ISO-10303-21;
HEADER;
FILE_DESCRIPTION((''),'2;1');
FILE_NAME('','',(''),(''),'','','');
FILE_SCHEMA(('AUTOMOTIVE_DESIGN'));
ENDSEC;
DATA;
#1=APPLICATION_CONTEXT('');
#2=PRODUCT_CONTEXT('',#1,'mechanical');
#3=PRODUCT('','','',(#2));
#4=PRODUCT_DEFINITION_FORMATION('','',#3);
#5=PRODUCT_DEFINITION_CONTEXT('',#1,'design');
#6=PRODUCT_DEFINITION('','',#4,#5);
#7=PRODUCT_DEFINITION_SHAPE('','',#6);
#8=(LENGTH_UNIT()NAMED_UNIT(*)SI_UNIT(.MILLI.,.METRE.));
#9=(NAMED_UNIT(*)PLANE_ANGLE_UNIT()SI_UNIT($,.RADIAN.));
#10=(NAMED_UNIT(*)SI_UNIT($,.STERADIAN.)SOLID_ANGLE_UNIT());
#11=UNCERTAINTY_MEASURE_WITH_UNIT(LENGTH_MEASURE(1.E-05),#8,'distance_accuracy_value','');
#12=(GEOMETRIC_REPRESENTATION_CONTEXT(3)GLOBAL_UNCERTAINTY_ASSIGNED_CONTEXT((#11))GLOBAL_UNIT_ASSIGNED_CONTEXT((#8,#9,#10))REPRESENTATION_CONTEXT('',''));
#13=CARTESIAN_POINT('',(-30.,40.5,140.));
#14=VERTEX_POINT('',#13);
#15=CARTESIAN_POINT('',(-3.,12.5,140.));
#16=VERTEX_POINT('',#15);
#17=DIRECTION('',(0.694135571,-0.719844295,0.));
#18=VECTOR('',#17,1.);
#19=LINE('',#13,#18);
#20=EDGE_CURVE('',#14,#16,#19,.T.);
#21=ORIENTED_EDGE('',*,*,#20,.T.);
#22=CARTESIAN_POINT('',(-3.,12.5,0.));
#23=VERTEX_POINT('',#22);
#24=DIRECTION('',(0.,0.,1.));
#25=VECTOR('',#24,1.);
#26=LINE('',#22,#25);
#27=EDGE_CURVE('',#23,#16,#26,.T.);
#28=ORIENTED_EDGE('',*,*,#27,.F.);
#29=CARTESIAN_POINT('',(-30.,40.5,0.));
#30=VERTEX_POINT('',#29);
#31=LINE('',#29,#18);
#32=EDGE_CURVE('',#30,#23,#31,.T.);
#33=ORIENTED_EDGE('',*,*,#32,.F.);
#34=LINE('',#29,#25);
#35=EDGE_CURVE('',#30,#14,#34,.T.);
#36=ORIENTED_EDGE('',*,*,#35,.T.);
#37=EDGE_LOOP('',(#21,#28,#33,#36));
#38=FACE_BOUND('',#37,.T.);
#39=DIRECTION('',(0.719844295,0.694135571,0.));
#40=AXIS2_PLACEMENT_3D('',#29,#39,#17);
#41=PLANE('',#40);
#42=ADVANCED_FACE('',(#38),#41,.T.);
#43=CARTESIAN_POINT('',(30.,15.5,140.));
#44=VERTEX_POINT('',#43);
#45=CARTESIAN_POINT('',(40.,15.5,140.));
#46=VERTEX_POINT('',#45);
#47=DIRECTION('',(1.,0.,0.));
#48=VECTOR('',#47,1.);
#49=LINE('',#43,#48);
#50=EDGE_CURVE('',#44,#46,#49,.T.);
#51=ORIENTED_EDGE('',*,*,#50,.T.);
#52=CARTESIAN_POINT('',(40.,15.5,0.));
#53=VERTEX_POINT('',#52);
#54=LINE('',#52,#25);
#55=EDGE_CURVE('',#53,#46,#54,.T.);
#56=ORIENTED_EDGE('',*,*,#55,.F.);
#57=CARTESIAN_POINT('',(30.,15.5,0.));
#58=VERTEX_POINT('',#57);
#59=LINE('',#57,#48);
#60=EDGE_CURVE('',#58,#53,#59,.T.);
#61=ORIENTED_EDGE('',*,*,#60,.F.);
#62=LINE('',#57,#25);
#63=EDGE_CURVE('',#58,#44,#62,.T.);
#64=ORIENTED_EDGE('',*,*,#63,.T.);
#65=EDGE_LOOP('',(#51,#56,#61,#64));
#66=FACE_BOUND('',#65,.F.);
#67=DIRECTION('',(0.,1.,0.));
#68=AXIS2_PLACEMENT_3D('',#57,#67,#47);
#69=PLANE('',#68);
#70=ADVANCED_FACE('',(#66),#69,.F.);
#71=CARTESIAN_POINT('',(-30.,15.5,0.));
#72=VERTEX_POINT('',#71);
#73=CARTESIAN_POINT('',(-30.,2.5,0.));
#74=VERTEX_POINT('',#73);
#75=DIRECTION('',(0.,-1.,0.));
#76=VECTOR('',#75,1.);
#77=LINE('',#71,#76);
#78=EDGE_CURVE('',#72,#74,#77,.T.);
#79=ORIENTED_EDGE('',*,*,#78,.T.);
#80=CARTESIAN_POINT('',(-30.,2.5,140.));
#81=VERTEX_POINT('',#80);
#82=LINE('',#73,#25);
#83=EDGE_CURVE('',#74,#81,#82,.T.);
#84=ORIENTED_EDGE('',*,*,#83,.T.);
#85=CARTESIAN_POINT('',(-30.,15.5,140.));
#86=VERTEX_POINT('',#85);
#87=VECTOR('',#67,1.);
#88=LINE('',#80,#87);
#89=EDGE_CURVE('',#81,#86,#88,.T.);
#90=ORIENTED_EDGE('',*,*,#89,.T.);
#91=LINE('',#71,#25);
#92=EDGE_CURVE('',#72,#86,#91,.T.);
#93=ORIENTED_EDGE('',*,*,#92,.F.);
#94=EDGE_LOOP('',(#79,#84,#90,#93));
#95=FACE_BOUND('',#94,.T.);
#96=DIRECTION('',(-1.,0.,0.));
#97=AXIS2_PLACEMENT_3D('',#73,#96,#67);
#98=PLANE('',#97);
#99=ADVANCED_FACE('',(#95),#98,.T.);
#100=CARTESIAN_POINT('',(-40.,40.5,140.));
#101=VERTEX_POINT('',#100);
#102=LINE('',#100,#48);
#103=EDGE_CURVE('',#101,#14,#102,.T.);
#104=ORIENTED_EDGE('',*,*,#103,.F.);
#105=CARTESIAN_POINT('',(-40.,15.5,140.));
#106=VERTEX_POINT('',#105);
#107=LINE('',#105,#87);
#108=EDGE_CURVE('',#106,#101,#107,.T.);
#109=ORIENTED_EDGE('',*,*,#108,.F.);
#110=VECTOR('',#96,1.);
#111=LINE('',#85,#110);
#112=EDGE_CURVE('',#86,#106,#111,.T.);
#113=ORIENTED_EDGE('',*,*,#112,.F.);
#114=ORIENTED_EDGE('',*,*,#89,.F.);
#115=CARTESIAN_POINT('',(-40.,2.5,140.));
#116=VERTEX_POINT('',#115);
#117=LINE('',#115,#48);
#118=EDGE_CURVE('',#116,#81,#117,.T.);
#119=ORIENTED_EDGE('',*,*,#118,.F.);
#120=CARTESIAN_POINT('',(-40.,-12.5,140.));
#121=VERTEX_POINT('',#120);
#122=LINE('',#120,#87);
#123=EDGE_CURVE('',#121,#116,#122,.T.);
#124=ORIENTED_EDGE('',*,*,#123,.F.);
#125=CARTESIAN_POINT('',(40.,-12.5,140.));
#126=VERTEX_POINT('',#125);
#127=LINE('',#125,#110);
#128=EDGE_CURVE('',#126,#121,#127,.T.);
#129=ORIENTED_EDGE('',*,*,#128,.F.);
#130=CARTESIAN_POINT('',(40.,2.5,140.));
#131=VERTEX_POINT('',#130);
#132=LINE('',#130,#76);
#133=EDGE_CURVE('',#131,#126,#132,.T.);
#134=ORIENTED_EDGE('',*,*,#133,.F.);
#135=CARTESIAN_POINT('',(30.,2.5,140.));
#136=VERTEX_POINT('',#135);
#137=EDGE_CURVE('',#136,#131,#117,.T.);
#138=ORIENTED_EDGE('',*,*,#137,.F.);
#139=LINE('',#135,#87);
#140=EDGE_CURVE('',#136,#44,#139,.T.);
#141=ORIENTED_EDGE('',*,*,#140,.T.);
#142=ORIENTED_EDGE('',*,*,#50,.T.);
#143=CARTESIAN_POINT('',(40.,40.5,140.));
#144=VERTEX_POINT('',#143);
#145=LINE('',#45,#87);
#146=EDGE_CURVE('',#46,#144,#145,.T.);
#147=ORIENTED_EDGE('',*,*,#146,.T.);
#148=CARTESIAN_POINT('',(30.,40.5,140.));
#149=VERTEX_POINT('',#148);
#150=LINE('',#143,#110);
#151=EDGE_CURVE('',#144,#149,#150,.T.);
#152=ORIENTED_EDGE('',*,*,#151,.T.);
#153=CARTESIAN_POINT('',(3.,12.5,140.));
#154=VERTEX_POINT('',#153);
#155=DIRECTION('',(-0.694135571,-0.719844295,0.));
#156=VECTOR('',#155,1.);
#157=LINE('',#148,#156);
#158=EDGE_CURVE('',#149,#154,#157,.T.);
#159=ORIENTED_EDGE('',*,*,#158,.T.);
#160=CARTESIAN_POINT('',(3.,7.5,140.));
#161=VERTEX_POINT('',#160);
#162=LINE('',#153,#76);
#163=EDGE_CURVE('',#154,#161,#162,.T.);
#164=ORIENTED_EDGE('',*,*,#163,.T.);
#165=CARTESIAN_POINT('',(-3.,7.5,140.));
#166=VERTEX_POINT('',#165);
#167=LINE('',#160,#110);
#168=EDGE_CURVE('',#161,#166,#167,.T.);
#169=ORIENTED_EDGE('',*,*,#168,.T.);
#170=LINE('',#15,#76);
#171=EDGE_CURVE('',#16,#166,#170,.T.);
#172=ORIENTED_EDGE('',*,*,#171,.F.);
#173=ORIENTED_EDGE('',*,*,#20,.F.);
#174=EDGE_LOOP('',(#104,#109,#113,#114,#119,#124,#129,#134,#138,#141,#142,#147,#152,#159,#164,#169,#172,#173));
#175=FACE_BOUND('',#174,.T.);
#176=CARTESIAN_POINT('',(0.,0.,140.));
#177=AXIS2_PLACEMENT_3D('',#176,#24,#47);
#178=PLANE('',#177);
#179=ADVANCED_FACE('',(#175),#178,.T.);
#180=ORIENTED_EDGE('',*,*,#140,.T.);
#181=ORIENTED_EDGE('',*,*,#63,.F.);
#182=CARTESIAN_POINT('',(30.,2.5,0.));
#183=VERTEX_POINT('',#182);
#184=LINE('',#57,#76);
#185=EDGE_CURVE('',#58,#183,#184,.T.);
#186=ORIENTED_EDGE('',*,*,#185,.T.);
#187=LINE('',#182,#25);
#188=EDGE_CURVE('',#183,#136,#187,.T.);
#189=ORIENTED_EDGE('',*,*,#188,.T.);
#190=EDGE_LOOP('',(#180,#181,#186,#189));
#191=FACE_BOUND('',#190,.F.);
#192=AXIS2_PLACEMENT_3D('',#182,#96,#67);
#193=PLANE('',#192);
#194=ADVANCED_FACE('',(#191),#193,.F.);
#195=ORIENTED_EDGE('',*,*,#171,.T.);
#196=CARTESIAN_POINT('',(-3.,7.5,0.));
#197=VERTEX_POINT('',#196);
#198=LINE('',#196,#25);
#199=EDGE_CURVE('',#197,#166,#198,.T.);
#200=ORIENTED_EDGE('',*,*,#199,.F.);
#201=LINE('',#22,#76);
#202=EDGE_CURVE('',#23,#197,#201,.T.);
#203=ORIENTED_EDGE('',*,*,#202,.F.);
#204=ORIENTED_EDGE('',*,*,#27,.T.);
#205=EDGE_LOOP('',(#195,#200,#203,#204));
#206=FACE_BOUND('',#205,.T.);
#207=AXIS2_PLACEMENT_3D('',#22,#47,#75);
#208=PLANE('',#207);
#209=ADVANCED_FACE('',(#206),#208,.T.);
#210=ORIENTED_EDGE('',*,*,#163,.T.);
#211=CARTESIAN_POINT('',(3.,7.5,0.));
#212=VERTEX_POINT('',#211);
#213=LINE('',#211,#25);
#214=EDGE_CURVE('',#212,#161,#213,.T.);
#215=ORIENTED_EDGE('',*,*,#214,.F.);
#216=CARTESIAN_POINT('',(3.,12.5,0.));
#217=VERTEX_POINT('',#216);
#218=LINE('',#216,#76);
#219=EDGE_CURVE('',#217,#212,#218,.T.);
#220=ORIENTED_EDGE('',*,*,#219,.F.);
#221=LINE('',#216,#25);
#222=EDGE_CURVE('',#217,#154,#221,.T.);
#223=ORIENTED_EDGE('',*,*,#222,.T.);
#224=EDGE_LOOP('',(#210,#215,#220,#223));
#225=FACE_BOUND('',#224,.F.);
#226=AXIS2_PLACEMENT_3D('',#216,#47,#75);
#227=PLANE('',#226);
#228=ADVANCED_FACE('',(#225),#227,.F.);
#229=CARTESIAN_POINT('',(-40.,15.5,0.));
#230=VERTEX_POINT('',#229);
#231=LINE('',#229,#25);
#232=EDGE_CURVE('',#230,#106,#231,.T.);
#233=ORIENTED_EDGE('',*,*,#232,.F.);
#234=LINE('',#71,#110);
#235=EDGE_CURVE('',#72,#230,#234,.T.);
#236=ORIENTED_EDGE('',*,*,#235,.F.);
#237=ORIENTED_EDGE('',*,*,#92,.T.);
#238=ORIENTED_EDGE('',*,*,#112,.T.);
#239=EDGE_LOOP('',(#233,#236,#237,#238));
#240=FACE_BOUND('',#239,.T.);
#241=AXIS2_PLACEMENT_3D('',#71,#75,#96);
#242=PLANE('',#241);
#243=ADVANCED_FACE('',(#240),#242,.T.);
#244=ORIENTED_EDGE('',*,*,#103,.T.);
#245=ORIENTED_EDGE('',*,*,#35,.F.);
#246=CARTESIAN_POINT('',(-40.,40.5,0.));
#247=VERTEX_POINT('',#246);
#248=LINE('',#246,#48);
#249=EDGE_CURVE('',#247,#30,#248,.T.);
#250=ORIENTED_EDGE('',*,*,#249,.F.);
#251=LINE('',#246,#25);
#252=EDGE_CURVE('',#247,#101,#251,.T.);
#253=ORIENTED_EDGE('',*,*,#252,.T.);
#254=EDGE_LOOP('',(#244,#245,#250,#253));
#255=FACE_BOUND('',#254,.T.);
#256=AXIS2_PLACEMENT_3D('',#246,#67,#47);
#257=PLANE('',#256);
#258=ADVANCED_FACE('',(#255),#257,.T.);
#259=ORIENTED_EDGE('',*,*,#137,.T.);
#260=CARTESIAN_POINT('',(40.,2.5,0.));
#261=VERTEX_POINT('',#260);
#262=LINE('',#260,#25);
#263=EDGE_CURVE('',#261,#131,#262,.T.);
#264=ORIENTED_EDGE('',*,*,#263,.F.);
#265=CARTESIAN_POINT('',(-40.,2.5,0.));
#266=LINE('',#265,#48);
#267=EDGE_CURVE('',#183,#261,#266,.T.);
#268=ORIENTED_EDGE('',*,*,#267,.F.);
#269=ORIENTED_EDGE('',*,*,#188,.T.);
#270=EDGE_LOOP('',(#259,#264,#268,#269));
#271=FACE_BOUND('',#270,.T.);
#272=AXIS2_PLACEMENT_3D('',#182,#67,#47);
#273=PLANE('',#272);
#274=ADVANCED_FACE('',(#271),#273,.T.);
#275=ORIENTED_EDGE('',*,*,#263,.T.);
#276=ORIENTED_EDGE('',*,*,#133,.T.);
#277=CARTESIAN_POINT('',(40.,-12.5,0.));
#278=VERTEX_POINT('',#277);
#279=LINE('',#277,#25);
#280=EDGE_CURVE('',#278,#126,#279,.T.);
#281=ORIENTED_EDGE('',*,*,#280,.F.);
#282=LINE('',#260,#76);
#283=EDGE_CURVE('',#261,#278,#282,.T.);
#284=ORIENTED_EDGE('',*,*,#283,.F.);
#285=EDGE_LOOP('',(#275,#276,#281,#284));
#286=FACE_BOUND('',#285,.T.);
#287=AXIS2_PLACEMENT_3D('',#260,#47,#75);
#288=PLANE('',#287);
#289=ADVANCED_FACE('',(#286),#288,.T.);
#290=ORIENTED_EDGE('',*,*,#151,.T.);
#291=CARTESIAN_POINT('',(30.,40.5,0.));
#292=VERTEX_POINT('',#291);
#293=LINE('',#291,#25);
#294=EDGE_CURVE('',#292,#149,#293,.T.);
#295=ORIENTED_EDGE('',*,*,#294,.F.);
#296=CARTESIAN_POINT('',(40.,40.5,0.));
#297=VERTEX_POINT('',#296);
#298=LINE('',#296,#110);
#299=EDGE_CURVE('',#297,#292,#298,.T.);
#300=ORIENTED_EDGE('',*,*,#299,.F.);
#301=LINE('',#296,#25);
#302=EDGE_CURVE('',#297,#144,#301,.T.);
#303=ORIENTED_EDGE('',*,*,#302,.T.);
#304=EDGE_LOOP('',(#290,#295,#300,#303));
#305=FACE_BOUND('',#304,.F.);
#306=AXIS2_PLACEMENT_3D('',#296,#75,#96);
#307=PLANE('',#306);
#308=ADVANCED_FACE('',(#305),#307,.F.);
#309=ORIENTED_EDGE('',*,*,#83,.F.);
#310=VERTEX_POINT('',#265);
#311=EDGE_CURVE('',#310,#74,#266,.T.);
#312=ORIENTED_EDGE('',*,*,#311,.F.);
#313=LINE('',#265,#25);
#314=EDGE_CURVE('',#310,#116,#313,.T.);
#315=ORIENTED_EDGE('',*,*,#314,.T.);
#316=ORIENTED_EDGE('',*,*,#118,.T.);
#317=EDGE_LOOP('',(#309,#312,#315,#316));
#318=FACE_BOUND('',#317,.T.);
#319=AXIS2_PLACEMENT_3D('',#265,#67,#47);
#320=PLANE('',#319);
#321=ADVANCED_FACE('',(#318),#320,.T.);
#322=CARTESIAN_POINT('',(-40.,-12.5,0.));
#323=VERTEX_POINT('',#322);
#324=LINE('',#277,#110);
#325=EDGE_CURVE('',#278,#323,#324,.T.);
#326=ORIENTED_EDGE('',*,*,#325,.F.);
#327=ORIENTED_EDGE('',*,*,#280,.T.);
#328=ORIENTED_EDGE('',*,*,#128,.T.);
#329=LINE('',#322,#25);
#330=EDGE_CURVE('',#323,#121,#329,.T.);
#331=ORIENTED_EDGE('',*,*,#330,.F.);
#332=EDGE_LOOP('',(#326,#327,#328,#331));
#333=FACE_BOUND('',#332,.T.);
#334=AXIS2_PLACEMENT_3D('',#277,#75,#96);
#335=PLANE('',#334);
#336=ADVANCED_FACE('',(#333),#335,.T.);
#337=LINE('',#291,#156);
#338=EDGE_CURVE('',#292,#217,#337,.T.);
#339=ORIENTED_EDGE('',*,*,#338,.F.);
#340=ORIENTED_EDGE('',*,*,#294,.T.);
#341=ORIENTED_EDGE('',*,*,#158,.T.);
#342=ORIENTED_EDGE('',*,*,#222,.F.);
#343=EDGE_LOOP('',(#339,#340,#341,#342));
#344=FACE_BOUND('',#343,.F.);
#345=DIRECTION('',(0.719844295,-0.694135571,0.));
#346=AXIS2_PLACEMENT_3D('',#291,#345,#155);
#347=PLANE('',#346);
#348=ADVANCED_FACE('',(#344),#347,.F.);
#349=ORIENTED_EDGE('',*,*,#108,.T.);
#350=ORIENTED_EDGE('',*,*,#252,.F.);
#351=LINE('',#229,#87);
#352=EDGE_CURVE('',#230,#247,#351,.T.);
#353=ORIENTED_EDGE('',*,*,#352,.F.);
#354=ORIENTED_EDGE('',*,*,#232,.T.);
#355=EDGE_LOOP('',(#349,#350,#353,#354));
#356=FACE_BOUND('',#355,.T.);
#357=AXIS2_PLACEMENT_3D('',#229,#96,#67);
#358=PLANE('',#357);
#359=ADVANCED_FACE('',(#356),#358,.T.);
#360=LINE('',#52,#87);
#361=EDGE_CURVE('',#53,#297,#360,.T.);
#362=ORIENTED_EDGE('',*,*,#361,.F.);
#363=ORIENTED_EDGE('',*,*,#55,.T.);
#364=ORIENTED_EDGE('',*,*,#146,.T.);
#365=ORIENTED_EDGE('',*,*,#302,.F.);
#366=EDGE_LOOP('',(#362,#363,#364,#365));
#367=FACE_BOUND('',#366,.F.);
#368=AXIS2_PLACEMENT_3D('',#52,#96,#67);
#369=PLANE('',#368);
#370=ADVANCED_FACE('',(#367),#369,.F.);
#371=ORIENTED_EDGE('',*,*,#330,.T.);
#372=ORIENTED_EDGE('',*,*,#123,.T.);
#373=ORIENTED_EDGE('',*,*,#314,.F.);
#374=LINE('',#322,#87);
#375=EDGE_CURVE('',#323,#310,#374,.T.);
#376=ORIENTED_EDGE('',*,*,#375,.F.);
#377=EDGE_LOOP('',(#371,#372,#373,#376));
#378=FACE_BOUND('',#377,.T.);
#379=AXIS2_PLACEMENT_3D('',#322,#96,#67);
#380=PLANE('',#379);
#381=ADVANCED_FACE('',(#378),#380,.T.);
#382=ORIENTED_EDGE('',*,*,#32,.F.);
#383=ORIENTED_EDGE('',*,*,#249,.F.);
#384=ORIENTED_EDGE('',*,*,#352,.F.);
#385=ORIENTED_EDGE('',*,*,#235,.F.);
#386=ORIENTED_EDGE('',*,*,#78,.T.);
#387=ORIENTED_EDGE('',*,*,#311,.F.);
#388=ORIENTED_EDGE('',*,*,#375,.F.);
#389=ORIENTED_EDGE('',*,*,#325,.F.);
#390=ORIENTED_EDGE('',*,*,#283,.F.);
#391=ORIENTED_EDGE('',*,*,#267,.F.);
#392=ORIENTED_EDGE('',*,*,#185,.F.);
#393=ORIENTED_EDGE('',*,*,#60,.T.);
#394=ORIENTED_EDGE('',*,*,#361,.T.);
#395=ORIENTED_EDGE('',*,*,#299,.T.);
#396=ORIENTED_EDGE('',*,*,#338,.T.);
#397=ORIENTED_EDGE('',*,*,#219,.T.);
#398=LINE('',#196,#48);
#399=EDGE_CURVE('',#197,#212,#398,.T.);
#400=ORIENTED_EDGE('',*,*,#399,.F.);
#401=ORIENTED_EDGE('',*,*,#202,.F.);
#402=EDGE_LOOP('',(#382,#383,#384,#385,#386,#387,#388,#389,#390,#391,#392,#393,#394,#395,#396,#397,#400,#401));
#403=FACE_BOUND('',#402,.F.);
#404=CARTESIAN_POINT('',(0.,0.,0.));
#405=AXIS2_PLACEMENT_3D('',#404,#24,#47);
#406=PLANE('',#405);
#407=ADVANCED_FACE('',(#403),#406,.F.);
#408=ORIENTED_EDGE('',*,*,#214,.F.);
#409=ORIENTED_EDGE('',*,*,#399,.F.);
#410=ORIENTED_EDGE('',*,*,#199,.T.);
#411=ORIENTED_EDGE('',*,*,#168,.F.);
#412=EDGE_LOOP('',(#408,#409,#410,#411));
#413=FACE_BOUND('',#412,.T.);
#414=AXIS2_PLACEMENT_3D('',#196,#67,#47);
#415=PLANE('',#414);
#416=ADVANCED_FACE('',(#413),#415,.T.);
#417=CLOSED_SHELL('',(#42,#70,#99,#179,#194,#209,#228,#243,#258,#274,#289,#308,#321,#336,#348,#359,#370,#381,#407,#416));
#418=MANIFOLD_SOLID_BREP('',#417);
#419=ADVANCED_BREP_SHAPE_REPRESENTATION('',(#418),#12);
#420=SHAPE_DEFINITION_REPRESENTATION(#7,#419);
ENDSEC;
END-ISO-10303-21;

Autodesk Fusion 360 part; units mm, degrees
sketch "Sketch1" plane through (0, 0, 0) normal (0, 0, 1) x (1, 0, 0)
  line L0 (30, 2.5) -> (30, 15.5)
  line L1 (30, 15.5) -> (40, 15.5)
  line L2 (40, 15.5) -> (40, 40.5)
  line L3 (40, 40.5) -> (30, 40.5)
  line L4 (30, 40.5) -> (30, 15.5)
  line L5 (40, 40.5) -> (40, 15.5)
  line L6 (30, 12.5) -> (3, 12.5)
  line L7 (3, 12.5) -> (3, 7.5)
  line L8 (30, 40.5) -> (3, 12.5)
  line L9 (3, 7.5) -> (0, 7.5)
  line L10 (-30, 15.5) -> (-40, 15.5)
  line L11 (-30, 12.5) -> (-3, 12.5)
  line L12 (-40, 15.5) -> (-40, 40.5)
  line L13 (-40, 40.5) -> (-30, 40.5)
  line L14 (-30, 40.5) -> (-30, 15.5)
  line L15 (-30, 40.5) -> (-3, 12.5)
  line L16 (-3, 7.5) -> (0, 7.5)
  line L17 (-40, 40.5) -> (-40, 15.5)
  line L18 (-3, 12.5) -> (-3, 7.5)
  line L19 (-30, 2.5) -> (-30, 15.5)
  line L20 (40, -12.5) -> (-40, -12.5)
  line L21 (-40, -12.5) -> (-40, 2.5)
  line L22 (-40, 2.5) -> (40, 2.5)
  line L23 (40, 2.5) -> (40, -12.5)
  point P0 (0, 12.5)
  point P1 (0, 43.67)
  dimension "d13" = 80
  dimension "d14" = 15
extrude "Extrude1" add sketch "Sketch1" along normal blind 140
